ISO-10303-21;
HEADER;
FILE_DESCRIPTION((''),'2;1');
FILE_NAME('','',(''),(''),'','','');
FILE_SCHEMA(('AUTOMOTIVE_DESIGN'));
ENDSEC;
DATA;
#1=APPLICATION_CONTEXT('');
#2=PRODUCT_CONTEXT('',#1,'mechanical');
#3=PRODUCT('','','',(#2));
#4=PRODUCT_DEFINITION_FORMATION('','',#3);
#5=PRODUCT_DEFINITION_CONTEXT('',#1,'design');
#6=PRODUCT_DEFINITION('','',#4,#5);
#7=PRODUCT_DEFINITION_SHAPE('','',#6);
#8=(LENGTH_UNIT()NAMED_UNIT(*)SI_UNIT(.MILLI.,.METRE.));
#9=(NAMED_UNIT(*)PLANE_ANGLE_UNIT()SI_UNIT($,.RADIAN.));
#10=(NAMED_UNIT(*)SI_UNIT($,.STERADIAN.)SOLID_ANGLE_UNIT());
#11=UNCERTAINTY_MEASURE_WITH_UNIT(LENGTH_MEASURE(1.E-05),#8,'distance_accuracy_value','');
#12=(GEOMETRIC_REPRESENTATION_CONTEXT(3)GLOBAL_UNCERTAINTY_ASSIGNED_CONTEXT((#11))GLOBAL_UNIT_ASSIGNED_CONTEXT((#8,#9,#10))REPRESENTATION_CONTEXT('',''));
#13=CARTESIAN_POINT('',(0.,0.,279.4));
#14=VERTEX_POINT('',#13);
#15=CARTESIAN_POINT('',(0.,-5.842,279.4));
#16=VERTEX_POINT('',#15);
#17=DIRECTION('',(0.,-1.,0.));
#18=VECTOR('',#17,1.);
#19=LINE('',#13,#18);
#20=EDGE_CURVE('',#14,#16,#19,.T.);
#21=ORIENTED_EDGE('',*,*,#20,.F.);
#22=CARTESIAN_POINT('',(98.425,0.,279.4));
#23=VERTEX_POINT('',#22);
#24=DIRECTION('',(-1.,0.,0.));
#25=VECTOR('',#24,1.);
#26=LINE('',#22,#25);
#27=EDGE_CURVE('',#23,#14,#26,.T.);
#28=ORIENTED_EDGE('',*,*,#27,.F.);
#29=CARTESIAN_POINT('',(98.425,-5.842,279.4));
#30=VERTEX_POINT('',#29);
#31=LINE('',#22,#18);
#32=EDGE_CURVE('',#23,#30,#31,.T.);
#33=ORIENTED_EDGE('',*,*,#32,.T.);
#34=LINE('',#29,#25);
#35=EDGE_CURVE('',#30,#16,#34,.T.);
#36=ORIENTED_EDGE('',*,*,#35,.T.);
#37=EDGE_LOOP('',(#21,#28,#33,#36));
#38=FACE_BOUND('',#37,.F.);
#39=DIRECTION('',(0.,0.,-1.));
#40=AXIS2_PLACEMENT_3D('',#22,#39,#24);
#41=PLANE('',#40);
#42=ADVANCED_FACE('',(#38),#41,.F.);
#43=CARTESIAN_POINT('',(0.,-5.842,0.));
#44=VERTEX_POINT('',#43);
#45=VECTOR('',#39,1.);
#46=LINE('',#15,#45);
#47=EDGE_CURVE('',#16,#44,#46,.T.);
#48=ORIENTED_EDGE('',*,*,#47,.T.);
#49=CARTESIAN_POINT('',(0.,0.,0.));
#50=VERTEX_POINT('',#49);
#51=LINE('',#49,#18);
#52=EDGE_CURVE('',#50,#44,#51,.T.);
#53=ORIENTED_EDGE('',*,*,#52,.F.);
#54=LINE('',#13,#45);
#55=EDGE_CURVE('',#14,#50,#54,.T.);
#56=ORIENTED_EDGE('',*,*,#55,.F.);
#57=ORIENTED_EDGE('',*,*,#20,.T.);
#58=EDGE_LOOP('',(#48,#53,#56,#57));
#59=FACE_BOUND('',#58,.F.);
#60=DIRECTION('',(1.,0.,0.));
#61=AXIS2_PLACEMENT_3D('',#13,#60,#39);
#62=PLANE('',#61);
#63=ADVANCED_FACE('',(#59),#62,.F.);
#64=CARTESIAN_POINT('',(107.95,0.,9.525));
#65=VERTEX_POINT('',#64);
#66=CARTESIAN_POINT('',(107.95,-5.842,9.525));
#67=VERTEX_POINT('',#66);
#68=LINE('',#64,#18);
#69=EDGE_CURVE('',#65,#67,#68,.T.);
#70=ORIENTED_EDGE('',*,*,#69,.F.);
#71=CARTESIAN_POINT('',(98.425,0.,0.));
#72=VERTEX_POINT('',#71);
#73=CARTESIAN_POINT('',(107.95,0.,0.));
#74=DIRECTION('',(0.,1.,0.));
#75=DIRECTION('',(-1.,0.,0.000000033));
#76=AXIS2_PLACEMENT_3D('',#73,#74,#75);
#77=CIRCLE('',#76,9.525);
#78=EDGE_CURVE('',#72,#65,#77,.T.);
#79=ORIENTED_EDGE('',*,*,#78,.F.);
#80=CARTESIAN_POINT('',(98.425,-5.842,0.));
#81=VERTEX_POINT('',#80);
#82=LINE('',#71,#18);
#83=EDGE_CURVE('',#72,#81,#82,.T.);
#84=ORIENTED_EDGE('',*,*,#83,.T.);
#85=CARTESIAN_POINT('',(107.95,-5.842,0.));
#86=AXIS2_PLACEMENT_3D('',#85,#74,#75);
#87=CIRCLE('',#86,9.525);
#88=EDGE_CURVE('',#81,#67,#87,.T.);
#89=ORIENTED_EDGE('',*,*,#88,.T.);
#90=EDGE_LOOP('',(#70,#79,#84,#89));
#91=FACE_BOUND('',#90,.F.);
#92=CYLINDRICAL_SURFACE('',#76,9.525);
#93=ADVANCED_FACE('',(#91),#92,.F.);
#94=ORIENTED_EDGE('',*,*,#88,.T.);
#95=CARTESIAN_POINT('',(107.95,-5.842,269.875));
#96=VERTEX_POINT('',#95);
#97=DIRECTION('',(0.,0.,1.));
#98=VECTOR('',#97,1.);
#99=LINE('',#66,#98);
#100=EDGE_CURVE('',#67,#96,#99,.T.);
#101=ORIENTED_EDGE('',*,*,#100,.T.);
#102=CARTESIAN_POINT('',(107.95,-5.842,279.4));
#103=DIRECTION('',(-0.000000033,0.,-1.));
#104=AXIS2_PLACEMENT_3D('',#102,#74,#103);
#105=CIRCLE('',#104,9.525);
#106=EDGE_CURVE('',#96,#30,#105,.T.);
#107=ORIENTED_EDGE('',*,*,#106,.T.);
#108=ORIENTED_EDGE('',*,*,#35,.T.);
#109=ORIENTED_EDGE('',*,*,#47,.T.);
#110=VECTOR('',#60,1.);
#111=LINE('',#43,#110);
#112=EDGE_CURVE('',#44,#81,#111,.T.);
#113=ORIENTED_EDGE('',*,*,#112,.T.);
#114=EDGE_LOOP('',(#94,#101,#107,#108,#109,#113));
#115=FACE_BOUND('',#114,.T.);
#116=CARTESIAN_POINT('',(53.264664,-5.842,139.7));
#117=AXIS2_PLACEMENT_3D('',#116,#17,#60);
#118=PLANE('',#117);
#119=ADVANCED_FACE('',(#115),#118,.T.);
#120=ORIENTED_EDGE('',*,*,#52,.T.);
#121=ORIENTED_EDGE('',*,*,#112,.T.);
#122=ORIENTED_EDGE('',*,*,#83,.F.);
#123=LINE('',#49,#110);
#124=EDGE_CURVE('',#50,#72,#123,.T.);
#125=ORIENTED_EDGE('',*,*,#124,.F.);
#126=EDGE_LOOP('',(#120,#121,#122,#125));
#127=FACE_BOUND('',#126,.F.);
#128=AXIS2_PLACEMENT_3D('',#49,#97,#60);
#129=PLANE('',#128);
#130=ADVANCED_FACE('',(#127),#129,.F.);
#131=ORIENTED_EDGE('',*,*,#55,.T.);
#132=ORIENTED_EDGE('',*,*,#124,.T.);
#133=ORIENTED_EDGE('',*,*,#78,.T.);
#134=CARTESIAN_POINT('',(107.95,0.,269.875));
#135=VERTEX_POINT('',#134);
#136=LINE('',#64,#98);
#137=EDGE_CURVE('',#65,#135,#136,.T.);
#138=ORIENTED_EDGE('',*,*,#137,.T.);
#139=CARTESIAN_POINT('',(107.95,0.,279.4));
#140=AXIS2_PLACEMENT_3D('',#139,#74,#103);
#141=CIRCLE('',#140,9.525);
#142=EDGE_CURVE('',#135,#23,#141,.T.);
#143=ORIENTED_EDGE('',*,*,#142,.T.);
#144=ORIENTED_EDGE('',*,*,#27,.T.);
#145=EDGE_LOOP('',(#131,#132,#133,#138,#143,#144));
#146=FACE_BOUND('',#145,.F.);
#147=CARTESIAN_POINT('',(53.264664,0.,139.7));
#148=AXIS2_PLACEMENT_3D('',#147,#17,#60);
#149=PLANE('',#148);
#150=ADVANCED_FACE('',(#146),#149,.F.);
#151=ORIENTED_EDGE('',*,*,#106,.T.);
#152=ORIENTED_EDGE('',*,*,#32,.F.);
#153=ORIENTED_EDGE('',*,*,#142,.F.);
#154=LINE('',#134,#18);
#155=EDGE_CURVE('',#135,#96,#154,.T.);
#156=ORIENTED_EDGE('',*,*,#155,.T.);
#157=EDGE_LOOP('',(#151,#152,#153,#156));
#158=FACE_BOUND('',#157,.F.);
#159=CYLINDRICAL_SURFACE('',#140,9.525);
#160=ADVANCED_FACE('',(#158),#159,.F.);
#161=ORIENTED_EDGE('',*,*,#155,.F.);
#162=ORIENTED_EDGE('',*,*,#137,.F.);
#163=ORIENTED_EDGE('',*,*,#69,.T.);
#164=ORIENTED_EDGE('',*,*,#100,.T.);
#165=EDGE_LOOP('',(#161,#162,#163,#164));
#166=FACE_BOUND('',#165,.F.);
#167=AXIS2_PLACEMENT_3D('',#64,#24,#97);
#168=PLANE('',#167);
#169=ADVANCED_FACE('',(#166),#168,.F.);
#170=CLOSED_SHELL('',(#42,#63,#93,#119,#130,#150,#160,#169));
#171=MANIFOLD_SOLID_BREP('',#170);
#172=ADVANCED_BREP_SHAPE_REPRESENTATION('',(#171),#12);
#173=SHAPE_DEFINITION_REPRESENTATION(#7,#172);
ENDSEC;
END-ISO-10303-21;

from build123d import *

# Parameters (mm, degrees)
F1_DEPTH = 5.842


with BuildPart() as f1:
    # F0 (on Front) → F1 (new body)
    with BuildSketch(Plane.XZ):
        with BuildLine():
            Line((98.425, 279.4), (0, 279.4))
            Line((0, 279.4), (0, 0))
            Line((0, 0), (98.425, 0))
            ThreePointArc((98.425, 0), (101.214808, 6.735192), (107.95, 9.525))
            Line((107.95, 9.525), (107.95, 269.875))
            ThreePointArc((107.95, 269.875), (101.214808, 272.664808), (98.425, 279.4))
        make_face()
    extrude(amount=F1_DEPTH)


solid = f1.part
